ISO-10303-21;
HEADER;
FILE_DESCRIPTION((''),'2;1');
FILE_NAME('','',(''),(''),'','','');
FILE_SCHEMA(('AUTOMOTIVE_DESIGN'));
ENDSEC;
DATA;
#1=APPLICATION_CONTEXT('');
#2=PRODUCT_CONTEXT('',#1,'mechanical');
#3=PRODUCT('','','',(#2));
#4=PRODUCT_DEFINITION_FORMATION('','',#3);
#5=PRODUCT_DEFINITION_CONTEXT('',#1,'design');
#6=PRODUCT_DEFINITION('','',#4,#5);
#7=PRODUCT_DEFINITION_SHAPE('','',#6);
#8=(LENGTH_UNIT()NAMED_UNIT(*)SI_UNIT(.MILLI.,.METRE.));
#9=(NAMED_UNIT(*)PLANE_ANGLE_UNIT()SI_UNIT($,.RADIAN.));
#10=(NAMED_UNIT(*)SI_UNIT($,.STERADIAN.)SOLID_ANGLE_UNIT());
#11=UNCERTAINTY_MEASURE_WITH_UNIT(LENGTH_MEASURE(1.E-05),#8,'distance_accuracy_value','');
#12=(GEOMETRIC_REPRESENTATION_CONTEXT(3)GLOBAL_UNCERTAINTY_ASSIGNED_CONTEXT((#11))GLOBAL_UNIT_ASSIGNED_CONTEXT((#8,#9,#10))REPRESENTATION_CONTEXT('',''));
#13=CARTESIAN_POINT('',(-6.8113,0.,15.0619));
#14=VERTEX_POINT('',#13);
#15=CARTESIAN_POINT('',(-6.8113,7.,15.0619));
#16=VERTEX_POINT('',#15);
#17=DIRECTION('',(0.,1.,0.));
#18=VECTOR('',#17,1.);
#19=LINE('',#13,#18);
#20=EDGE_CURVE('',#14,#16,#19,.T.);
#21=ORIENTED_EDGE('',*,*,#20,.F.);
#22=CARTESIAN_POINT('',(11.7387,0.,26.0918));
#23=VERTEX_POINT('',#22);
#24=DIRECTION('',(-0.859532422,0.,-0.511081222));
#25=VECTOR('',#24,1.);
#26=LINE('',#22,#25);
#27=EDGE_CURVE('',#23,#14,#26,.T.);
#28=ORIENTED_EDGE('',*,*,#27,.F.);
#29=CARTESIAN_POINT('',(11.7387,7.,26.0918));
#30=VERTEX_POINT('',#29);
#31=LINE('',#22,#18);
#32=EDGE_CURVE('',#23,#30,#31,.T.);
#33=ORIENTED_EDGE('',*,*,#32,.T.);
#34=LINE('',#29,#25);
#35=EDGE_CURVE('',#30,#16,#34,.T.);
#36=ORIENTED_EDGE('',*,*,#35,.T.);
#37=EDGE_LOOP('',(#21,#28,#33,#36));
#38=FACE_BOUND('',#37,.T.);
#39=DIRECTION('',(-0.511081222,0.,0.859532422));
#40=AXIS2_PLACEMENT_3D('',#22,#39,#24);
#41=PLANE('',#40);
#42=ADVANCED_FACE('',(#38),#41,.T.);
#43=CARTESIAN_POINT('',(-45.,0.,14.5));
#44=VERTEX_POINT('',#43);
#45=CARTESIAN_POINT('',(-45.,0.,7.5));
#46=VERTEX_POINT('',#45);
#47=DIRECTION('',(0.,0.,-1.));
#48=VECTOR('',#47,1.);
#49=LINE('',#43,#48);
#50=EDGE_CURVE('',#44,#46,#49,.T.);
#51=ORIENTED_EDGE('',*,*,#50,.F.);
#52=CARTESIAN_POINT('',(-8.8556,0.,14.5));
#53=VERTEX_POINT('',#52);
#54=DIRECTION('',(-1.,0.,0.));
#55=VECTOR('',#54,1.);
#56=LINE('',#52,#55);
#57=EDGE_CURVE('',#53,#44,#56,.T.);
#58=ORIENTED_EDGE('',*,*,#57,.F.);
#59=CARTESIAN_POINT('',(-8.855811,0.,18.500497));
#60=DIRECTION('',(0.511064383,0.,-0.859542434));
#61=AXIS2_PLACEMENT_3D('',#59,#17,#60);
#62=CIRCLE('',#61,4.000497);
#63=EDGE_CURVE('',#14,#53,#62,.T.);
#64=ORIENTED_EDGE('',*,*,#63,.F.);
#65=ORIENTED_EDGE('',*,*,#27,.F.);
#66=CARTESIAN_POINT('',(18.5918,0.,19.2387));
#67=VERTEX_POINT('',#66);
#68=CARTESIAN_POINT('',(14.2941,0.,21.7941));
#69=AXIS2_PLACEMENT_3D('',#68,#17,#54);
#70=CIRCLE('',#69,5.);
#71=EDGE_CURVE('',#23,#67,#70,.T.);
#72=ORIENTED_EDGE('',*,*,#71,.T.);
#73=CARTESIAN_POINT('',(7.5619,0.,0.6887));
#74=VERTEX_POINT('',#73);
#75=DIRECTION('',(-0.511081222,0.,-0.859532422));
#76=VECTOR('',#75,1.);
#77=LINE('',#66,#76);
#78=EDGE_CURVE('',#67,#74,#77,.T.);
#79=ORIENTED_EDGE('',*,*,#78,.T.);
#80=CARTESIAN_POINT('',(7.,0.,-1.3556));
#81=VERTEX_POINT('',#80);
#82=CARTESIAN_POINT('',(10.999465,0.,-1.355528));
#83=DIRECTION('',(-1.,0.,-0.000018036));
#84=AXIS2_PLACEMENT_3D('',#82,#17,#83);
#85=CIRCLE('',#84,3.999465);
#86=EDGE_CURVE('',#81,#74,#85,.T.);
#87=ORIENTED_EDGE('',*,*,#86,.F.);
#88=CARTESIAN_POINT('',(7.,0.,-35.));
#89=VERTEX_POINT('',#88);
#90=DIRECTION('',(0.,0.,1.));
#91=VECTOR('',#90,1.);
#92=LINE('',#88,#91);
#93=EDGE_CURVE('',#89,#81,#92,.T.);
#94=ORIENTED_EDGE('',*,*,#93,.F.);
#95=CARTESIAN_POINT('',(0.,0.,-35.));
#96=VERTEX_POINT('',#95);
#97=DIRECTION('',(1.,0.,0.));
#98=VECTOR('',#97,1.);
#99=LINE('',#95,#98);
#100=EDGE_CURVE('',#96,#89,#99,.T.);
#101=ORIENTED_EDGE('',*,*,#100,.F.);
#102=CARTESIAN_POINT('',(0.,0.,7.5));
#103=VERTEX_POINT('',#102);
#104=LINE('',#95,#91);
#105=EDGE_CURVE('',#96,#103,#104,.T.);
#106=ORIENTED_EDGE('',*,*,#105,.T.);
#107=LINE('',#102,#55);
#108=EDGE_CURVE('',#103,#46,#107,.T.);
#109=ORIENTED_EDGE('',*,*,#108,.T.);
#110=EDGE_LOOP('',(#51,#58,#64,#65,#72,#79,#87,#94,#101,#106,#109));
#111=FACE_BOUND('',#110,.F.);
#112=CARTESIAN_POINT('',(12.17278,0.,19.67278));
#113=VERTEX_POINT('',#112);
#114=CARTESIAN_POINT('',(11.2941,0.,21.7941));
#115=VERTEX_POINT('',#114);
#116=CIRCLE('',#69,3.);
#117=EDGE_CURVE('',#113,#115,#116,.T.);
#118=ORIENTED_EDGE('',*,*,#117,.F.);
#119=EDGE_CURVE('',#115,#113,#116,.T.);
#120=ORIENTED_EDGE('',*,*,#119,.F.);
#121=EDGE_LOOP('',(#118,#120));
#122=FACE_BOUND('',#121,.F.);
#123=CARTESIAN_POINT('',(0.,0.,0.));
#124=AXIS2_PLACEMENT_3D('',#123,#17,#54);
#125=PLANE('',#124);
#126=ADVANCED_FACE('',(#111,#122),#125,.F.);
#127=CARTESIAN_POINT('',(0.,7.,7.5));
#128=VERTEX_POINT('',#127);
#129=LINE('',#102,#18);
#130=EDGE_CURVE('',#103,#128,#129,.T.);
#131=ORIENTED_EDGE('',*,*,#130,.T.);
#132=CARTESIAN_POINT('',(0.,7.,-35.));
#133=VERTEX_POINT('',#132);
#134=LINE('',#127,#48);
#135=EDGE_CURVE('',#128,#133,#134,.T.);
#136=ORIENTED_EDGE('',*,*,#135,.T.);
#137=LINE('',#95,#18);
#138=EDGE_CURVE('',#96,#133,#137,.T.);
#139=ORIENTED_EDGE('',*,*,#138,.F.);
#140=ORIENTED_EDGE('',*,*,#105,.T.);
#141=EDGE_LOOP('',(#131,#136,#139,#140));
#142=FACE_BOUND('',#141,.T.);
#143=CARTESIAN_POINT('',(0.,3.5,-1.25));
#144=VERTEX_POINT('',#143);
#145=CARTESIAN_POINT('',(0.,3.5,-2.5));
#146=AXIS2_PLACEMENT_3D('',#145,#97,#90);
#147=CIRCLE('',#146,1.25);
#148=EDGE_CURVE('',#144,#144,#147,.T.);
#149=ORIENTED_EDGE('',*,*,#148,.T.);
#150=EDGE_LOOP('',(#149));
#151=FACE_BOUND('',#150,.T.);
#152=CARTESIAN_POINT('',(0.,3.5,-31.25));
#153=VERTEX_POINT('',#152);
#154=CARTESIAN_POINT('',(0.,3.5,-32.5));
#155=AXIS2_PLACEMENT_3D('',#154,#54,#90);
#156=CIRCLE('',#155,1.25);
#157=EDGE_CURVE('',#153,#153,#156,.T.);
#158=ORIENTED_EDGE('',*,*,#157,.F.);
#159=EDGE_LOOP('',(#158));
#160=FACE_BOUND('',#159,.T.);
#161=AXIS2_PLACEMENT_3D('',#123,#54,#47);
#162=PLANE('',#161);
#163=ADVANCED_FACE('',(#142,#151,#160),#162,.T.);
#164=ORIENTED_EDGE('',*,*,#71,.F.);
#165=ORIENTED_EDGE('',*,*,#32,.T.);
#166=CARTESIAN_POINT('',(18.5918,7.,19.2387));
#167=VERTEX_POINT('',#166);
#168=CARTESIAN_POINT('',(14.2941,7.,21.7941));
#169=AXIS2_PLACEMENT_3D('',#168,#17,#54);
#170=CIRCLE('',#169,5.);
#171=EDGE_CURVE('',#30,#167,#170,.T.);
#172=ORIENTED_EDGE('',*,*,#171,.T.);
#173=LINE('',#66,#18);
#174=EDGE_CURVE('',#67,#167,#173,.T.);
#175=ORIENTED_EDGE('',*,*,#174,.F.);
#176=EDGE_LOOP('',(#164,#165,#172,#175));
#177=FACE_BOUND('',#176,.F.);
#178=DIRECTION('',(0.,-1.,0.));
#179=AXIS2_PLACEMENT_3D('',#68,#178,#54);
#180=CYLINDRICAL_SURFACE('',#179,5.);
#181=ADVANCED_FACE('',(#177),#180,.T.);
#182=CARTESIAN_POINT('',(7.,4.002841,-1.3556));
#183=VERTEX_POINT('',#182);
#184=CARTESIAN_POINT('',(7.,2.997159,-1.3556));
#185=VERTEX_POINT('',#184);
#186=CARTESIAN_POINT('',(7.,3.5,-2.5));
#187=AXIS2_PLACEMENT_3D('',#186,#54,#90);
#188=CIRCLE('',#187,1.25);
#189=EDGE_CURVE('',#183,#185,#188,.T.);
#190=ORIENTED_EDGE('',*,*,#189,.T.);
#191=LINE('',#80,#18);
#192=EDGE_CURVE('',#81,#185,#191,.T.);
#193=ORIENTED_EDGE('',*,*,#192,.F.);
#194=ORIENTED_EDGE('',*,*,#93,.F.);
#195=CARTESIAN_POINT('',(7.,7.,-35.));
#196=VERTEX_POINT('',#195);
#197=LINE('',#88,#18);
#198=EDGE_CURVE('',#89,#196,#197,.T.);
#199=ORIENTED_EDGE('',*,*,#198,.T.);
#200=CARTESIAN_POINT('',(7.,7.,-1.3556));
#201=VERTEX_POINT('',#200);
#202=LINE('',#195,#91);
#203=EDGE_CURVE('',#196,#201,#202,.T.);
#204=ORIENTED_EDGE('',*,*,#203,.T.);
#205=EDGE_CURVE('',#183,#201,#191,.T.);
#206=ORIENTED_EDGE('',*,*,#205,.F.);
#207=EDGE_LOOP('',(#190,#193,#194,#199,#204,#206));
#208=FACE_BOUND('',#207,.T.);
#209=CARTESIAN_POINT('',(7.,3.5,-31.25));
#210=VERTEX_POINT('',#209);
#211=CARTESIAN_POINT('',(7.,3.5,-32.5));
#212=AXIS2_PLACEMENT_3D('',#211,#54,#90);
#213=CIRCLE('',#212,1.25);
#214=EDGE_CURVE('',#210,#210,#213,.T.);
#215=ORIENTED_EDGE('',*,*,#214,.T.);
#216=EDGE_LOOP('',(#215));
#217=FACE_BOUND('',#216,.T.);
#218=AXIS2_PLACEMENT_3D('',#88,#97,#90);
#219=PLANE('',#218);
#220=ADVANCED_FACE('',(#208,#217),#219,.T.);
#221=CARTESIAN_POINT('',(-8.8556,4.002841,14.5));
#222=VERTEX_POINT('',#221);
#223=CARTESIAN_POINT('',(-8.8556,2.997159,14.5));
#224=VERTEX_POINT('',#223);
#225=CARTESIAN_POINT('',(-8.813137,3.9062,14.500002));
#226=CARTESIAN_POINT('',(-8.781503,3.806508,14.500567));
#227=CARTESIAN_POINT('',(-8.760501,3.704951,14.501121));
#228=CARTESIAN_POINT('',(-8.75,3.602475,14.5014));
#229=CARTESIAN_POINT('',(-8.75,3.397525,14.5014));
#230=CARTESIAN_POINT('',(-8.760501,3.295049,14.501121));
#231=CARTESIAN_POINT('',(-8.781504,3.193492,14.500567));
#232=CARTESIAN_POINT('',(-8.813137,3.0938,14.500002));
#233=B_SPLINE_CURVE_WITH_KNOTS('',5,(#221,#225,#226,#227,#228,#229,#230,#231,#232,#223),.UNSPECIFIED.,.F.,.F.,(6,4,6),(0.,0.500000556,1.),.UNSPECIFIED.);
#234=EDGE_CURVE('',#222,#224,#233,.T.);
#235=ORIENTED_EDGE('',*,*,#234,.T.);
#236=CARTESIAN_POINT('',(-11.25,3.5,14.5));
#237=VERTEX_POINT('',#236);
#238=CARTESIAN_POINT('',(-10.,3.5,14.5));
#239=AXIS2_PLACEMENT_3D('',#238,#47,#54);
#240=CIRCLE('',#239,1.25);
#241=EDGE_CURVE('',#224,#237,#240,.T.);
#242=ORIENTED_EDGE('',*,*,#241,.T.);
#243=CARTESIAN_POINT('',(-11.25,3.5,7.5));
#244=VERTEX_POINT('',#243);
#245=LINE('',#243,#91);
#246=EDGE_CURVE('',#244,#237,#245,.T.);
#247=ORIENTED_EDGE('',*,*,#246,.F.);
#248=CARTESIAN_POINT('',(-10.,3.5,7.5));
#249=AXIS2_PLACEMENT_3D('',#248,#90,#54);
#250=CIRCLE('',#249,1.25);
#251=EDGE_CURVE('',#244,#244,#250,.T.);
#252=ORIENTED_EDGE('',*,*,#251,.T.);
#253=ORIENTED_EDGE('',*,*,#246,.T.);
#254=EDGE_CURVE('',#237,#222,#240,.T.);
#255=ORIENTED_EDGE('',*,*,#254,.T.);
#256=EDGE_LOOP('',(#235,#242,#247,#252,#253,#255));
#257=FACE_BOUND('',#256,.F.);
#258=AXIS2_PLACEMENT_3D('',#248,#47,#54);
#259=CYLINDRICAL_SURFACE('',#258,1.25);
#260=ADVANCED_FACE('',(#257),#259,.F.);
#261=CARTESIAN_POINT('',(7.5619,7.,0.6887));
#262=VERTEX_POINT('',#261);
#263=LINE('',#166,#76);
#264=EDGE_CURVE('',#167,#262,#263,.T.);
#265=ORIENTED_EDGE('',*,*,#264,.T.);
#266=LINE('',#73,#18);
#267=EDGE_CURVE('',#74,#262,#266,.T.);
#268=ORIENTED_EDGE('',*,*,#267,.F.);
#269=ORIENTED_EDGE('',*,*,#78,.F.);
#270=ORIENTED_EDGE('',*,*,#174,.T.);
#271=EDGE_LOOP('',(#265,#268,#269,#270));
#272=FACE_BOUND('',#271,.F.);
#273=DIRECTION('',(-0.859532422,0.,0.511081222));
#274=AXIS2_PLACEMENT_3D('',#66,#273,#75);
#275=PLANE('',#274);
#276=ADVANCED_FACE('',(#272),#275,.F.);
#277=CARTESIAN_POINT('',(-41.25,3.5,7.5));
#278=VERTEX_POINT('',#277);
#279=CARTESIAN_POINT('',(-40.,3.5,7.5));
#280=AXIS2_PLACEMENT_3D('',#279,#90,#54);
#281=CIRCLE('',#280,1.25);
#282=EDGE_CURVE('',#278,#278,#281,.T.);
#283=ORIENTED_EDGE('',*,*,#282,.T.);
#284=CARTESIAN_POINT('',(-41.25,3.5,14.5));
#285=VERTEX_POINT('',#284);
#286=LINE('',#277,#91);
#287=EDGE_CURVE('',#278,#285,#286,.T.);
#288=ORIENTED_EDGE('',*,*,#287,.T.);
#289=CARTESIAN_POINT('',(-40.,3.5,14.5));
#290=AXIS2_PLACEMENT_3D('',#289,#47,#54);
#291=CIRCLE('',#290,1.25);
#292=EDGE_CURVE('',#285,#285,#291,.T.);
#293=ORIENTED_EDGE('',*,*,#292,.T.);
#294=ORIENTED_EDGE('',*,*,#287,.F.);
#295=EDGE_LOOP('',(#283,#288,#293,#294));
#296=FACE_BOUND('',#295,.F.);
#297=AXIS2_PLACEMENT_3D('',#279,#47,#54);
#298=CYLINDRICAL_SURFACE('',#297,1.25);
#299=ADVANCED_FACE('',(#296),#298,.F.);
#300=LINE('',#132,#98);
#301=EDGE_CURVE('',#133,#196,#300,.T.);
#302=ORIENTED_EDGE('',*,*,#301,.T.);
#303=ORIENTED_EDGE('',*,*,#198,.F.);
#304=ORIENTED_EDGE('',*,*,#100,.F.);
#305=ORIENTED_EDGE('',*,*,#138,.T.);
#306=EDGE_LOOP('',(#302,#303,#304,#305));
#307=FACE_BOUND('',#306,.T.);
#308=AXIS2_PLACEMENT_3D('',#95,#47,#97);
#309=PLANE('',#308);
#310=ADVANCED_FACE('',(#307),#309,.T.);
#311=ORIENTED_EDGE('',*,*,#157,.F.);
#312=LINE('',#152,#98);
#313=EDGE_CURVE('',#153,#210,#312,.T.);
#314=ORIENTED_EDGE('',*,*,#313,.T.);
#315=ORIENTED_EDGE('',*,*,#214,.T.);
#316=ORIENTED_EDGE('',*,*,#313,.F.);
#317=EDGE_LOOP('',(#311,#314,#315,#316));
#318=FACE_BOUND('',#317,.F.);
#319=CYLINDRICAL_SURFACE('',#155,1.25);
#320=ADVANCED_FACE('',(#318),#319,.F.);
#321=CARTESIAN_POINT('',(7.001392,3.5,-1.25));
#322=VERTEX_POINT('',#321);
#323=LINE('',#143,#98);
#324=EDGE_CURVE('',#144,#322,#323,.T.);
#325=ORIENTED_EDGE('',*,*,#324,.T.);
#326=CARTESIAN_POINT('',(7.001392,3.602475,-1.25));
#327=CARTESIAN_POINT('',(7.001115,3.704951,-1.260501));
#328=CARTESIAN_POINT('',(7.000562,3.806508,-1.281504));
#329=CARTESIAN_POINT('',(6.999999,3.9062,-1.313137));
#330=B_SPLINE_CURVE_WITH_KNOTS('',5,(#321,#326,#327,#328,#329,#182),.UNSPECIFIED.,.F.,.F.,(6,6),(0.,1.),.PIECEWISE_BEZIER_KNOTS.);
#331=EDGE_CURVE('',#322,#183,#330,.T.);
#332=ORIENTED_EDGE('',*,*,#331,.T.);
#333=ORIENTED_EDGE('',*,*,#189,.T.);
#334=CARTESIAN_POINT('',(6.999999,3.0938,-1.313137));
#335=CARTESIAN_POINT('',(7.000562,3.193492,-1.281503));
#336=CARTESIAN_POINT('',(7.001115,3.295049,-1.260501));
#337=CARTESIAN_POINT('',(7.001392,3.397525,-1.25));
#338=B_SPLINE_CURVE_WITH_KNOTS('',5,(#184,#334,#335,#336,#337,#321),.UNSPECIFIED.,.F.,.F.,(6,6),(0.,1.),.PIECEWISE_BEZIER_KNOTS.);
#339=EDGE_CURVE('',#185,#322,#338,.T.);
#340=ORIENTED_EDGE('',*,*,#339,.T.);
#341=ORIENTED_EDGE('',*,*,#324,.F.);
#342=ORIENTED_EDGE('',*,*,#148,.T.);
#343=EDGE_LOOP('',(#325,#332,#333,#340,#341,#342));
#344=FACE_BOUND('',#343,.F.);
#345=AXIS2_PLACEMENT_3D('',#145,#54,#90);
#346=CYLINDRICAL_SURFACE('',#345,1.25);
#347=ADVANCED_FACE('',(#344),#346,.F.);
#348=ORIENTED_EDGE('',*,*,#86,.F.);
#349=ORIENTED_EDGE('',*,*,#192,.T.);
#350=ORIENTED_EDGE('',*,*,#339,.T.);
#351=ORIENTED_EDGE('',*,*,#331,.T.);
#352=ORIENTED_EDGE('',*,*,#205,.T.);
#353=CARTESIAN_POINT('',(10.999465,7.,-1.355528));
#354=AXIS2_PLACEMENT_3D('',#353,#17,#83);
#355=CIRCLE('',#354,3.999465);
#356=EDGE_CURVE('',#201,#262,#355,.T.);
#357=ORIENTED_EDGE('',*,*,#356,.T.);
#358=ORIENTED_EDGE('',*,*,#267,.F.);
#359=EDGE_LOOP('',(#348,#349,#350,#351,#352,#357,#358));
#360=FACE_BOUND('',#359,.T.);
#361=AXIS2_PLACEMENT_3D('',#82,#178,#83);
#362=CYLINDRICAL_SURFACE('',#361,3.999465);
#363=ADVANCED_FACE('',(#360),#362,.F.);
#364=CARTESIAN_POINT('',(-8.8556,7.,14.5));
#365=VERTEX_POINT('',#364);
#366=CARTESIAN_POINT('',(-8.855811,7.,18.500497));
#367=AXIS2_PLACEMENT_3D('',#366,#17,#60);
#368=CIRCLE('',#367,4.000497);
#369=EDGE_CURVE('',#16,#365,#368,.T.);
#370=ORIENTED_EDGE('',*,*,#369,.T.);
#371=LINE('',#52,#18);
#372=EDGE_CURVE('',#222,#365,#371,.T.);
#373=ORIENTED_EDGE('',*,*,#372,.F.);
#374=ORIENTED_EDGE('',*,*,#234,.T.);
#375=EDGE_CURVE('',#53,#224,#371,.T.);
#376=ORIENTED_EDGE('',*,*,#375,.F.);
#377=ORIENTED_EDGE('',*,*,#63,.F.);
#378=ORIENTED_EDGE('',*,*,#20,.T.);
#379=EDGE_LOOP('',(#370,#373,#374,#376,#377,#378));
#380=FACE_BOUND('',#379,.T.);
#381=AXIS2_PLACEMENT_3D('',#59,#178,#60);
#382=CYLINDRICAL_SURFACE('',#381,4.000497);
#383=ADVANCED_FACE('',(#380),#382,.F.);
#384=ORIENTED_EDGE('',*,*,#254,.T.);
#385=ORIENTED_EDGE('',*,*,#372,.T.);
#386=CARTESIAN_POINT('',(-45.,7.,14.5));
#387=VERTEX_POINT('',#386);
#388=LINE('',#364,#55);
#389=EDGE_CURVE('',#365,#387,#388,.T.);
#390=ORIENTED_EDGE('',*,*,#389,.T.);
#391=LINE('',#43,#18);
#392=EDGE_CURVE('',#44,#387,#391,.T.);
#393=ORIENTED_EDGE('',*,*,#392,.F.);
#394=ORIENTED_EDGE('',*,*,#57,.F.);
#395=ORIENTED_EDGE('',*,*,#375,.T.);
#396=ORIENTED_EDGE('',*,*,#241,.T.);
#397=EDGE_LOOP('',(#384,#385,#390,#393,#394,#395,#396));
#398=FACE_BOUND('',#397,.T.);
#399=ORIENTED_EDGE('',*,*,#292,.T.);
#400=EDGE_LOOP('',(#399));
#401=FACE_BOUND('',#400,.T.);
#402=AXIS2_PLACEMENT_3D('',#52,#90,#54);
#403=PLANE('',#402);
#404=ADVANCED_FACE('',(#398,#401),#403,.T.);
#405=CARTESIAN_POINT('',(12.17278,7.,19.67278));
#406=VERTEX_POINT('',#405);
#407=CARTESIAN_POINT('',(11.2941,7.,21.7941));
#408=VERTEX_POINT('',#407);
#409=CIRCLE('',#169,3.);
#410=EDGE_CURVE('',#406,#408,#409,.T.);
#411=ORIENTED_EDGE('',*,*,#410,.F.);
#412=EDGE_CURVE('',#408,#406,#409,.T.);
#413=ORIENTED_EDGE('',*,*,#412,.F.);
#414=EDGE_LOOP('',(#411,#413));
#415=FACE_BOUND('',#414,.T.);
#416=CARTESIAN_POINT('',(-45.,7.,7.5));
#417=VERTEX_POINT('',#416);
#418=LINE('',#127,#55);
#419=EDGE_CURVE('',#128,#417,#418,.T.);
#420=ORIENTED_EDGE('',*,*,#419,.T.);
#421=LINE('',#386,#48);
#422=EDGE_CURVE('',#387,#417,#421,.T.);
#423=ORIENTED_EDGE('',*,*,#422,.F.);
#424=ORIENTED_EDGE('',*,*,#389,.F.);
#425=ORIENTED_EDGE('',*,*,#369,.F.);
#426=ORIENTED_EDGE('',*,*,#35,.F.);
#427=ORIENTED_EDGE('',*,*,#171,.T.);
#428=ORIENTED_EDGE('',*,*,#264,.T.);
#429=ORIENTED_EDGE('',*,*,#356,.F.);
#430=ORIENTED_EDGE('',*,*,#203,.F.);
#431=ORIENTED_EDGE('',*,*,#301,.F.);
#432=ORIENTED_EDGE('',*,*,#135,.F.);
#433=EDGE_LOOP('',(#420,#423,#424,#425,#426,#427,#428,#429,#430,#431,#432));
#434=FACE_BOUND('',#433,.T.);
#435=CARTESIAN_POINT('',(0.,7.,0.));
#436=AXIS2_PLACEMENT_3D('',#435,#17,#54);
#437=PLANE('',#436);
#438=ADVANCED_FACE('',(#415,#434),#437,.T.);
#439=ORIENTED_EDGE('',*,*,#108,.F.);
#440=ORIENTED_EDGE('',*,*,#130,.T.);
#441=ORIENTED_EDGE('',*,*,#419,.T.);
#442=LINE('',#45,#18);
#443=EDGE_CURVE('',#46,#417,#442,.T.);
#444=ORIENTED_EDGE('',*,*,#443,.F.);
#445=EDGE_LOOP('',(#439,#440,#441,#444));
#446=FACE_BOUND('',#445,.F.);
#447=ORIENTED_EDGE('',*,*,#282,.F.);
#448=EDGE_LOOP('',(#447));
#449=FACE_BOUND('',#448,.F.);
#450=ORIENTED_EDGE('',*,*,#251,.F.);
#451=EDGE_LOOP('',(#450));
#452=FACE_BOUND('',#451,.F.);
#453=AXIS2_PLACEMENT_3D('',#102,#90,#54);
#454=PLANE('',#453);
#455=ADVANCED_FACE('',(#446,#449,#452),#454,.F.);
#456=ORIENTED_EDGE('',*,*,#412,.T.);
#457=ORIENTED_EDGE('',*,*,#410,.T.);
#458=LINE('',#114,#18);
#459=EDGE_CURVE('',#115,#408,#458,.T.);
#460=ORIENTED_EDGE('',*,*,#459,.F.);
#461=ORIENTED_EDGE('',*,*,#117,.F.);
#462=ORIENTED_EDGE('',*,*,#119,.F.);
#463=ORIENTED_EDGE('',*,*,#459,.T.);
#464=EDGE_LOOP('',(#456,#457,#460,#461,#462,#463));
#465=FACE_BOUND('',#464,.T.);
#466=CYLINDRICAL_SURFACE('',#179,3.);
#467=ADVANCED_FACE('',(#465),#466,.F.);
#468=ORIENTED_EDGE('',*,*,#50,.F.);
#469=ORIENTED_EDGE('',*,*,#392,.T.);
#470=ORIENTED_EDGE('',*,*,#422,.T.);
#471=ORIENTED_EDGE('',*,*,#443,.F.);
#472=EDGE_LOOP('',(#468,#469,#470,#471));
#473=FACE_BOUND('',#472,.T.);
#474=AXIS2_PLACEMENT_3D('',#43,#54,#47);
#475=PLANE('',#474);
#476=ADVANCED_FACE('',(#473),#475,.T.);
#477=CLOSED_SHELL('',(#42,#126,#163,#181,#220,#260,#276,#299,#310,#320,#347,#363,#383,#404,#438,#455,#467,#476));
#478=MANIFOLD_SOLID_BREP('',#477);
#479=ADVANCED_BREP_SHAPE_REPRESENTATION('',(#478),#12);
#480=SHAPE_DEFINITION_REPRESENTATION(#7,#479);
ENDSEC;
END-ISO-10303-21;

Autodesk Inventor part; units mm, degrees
ref_plane "YZ Plane" through (0, 0, 0) normal (1, 0, 0) x (0, 1, 0)
ref_plane "XZ Plane" through (0, 0, 0) normal (0, 1, 0) x (-1, 0, 0)
ref_plane "XY Plane" through (0, 0, 0) normal (0, 0, 1) x (1, 0, 0)
sketch "Sketch1" plane through (0, 0, 0) normal (0, 1, 0) x (-1, 0, 0)
  line L0 (0, 0) -> (16.4443, 0)
  line L1 (0, 0) -> (0, -35)
  line L2 (0, -17.5) -> (0, 7.5)
  line L3 (0, 7.5) -> (45, 7.5)
  line L4 (0, -35) -> (-7, -35)
  line L5 (-7, -35) -> (-7, 14.5)
  line L6 (8.8556, 14.5) -> (45, 14.5)
  line L7 (45, 14.5) -> (45, 7.5)
  line L8 (0, 7.5) -> (-14.2941, 21.7941)
  line L9 (0, 7.5) -> (20.2149, 7.5) construction
  circle A0 centre (-14.2941, 21.7941) radius 3
  circle A1 centre (-14.2941, 21.7941) radius 5
  line L10 (-11.7387, 26.0918) -> (6.8113, 15.0619)
  arc A2 (6.8113, 15.0619) -> (8.8556, 14.5) centre (8.8556, 18.5) ccw
  line L11 (-18.5918, 19.2387) -> (-7.5619, 0.6887)
  arc A3 (-7, -1.3556) -> (-7.5619, 0.6887) centre (-11, -1.3556) ccw
  point P0 (-7, -1.3556)
  dimension "d8" = 10
  dimension "d0" = 35
  dimension "d2" = 25
  dimension "d3" = 45
  dimension "d4" = 7
  dimension "d5" = 7
  dimension "d6" = 135
  dimension "d7" = 6
  dimension "d9" = 4
extrude "Extrusion1" add sketch "Sketch1" along normal blind 7
sketch "Sketch2" plane through (0, 0, -35) normal (-1, 0, 0) x (0, 0, 1)
  line L0 (42.5, 0) -> (42.5, 7) projected
  line L1 (42.5, 3.5) -> (32.5, 3.5)
  line L2 (32.5, 3.5) -> (2.5, 3.5)
  circle A0 centre (32.5, 3.5) radius 1.25
  circle A1 centre (2.5, 3.5) radius 1.25
  point P0 (35, 0)
  dimension "d12" = 10
  dimension "d13" = 30
  dimension "d14" = 2.5
  dimension "d15" = 2.5
extrude "Extrusion2" cut sketch "Sketch2" against normal through all
sketch "Sketch3" plane through (0, 0, 7.5) normal (0, 0, -1) x (-1, 0, 0)
  line L0 (0, 0) -> (0, 7) projected
  line L1 (0, 3.5) -> (10, 3.5)
  line L2 (10, 3.5) -> (40, 3.5)
  circle A0 centre (40, 3.5) radius 1.25
  circle A1 centre (10, 3.5) radius 1.25
  dimension "d18" = 10
  dimension "d19" = 30
  dimension "d20" = 2.5
  dimension "d21" = 2.5
extrude "Extrusion3" cut sketch "Sketch3" against normal blind 10
properties part number "GPSholder" material "PC/ABS Plastic"
